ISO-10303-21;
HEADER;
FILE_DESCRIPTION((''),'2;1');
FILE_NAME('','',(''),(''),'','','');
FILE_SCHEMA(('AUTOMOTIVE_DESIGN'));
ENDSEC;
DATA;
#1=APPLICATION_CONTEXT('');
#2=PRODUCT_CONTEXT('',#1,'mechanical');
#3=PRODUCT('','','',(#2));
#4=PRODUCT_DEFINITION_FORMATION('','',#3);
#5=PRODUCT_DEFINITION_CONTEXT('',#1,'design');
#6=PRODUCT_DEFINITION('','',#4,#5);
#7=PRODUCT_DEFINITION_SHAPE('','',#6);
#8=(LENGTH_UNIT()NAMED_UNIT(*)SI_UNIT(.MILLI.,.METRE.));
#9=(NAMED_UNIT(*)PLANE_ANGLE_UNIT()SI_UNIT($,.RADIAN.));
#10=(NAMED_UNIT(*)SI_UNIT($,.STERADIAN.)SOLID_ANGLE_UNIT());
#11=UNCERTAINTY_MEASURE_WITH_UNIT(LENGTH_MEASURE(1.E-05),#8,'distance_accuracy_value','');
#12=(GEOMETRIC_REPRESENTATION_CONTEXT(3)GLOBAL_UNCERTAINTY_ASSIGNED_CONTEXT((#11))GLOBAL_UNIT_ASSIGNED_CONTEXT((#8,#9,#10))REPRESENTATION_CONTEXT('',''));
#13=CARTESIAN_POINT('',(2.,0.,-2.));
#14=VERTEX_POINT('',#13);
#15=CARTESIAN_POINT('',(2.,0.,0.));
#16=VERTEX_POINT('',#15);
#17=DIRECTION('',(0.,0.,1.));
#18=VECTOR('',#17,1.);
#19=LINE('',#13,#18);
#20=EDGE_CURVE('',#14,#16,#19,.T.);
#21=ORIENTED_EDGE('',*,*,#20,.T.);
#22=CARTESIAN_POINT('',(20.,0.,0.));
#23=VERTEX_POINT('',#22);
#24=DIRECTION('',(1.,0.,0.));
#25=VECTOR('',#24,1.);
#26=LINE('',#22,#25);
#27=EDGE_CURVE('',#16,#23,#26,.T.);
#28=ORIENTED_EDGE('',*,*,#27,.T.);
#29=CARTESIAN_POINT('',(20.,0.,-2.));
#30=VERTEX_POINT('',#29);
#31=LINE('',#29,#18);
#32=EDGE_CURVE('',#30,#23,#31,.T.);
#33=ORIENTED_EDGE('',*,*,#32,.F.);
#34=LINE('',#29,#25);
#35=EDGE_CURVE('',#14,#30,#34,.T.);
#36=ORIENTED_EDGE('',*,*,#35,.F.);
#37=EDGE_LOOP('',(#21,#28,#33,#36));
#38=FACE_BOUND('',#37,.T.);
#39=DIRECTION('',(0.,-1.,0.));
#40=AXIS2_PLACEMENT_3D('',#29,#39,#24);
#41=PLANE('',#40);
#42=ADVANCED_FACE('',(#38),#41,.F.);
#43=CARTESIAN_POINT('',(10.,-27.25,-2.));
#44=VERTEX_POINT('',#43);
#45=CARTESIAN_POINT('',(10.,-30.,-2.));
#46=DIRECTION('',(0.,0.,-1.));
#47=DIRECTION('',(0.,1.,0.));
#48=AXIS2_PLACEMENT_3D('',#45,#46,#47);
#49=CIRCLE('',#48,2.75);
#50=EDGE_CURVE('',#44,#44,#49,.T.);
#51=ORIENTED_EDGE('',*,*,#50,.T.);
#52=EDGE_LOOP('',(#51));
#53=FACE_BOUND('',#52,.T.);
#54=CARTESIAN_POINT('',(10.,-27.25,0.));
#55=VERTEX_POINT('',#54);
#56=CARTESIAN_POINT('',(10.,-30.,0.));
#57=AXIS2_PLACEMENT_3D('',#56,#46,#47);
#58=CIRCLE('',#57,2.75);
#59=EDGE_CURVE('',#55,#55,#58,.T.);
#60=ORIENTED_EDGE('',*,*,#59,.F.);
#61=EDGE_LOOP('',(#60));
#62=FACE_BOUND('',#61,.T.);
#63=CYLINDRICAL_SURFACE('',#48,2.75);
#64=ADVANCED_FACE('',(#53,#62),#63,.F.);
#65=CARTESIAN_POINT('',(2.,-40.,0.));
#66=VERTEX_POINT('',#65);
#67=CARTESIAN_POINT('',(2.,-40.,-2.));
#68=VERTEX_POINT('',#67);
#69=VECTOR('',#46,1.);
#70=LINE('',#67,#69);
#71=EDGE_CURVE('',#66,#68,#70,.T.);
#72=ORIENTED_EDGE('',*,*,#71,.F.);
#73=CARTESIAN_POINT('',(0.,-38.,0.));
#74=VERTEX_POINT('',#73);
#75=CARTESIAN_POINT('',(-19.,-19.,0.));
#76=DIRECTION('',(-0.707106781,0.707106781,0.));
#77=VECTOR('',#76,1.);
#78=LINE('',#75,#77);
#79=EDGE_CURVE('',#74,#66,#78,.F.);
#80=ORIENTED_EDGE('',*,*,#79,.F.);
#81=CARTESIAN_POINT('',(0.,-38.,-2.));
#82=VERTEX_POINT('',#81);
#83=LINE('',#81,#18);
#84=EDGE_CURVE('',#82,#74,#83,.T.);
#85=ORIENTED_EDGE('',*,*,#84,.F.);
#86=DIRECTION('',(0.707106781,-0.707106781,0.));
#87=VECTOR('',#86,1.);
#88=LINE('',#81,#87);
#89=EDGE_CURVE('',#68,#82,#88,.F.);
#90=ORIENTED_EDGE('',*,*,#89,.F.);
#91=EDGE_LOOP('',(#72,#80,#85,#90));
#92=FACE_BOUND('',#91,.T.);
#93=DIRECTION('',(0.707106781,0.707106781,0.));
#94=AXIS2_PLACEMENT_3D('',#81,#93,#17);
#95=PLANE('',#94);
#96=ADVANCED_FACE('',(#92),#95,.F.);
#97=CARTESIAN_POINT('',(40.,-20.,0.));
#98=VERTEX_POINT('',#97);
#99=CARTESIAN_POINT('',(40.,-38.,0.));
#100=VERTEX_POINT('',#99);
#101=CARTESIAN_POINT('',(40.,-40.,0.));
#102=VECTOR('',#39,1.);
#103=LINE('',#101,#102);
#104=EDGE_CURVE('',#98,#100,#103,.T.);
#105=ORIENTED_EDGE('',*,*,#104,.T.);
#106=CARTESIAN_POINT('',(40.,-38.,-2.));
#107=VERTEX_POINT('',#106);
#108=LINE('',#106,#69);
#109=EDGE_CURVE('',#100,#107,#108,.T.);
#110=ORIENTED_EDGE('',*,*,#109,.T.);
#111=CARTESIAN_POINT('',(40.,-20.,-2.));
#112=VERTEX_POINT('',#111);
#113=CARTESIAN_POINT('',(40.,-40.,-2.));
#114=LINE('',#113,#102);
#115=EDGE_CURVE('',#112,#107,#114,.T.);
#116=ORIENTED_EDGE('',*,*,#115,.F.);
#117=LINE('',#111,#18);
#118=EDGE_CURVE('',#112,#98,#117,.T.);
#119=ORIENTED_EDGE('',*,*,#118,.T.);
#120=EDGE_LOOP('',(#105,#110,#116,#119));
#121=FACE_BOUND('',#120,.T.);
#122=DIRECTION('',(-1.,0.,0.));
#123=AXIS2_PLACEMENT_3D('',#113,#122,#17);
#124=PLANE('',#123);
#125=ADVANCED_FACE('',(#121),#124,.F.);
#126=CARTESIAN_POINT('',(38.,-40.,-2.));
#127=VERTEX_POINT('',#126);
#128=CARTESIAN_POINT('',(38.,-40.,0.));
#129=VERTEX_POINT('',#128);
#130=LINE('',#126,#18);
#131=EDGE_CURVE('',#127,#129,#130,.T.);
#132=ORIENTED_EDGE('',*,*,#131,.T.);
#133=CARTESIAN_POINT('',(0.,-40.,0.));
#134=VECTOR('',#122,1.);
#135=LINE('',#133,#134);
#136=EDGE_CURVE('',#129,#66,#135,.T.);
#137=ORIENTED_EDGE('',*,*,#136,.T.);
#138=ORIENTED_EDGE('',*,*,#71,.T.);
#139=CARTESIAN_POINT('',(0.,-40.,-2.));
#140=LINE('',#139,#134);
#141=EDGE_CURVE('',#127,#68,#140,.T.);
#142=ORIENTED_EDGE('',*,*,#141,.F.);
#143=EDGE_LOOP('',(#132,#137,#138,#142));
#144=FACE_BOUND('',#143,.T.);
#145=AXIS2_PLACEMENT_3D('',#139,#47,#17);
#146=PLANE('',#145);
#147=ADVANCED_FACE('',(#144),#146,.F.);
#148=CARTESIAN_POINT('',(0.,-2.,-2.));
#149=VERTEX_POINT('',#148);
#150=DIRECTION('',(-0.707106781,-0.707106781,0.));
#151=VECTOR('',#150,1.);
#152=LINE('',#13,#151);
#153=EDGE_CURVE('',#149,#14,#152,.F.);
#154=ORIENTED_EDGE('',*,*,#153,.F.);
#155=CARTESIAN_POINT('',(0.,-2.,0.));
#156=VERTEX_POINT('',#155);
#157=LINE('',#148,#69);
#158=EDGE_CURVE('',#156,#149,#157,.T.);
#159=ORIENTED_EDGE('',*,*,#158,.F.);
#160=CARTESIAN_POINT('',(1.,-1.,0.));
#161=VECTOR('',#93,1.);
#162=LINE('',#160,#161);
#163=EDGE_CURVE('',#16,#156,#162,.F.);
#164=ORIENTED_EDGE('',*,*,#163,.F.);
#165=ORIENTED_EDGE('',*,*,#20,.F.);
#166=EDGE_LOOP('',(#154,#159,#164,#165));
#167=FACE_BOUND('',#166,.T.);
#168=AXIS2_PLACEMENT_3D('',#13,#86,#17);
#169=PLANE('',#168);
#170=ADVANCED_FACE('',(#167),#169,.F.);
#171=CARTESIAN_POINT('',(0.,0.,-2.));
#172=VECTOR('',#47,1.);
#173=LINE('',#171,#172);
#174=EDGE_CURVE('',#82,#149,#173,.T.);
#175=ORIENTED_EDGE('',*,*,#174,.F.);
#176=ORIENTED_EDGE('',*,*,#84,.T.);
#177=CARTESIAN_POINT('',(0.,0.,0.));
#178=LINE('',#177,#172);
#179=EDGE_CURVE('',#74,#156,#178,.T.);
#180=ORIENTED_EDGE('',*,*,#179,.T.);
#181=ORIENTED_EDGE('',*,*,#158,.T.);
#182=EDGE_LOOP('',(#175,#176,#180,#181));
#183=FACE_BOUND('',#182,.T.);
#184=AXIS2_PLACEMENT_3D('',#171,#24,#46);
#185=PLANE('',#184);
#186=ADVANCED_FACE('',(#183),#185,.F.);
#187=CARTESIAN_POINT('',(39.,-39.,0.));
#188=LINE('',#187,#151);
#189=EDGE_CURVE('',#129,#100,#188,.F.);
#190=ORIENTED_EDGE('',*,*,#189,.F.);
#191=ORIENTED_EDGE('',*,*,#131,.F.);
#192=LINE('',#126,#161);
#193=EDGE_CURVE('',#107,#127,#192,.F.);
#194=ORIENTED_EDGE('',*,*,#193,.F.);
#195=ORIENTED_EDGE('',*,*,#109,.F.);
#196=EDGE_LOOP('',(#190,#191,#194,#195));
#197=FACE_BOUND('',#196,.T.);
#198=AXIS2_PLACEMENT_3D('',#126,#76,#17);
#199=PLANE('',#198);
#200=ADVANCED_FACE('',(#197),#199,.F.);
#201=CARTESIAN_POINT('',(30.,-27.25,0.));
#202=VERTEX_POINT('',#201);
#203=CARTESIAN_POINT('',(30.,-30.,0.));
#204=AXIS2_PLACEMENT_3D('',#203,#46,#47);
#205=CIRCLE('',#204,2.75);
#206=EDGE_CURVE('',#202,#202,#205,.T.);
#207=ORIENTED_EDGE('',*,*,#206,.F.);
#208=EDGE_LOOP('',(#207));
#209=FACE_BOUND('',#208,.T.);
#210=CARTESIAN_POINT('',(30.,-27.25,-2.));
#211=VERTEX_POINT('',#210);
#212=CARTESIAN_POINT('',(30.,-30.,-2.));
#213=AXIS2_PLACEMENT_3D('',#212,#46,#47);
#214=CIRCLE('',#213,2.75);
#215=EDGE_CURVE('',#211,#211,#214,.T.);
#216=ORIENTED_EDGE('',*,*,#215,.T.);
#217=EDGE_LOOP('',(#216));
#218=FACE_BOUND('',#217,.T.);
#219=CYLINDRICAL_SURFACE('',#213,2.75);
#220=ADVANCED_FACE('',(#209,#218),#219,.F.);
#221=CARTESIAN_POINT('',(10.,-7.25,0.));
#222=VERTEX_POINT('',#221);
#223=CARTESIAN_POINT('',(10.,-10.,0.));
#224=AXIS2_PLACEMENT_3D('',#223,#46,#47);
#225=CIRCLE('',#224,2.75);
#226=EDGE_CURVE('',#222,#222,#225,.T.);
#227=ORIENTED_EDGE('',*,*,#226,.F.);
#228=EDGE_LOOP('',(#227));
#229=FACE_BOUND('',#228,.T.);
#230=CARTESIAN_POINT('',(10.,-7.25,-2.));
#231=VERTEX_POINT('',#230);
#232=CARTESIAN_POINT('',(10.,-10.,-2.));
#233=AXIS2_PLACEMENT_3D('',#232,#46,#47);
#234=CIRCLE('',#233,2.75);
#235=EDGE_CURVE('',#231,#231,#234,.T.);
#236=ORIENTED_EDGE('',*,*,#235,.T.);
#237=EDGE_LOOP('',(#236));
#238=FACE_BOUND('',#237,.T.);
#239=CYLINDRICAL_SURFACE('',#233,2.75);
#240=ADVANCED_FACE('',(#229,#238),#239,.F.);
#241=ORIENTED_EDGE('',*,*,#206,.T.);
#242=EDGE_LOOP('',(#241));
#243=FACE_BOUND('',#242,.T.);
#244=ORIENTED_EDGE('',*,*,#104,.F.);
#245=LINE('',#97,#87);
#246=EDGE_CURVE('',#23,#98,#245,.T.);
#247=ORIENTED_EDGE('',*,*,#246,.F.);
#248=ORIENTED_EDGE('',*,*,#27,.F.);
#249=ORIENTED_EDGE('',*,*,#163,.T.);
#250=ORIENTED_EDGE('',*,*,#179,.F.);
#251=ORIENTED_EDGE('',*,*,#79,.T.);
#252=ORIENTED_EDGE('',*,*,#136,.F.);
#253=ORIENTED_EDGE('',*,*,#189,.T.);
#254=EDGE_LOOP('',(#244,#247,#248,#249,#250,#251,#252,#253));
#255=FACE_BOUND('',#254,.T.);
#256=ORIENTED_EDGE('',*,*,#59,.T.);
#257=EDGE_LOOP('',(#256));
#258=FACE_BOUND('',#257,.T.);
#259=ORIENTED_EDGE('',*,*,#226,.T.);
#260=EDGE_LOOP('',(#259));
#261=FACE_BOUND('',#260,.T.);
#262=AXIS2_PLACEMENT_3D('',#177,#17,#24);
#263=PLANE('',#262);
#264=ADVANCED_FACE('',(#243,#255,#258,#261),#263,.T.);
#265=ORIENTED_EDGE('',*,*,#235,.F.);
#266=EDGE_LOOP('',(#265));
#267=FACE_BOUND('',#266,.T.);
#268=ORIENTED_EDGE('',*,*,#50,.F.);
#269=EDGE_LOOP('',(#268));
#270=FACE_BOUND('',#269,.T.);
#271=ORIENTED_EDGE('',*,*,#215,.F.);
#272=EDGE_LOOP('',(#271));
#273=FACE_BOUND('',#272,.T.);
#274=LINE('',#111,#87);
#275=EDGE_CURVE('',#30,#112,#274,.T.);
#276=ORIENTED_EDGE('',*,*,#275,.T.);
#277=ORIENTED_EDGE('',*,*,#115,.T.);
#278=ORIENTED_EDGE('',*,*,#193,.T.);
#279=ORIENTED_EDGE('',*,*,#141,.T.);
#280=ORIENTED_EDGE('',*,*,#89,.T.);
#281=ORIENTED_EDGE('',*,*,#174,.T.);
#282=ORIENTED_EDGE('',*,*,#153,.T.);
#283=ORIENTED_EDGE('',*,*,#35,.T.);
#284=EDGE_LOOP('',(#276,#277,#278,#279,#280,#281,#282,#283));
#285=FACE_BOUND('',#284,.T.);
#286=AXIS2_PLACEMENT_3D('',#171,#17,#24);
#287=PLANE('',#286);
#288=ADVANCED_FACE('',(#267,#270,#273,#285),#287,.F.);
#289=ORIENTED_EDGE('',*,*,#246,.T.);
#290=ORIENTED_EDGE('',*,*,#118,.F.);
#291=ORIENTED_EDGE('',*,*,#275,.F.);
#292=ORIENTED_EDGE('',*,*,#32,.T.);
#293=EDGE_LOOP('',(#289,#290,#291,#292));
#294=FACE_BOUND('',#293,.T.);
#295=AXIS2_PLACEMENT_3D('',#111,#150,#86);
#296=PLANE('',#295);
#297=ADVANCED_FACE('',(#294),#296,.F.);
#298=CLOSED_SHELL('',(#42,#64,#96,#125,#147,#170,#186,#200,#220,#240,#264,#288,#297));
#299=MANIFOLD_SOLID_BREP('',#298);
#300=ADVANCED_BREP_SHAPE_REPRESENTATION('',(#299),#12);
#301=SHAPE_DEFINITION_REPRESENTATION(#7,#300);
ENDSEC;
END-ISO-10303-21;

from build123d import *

# Parameters (mm, degrees)
EXTRUDE_1_DEPTH   = 2
HOLE_WIZARD_M51_D = 5.5
CHAMFER_1_SIZE    = 2


with BuildPart() as part:
    # Эскиз1 → Бобышка-Вытянуть1 (new body)
    with BuildSketch(Plane(origin=(0, 0, 0), x_dir=(1, 0, 0), z_dir=(0, 0, -1))):
        Polygon((0, 0), (0, 40), (40, 40), (40, 20), (20, 0), align=None)
    extrude(amount=EXTRUDE_1_DEPTH)

    # Отверстие с зазором M51 (through all)
    with Locations(Plane(origin=(0, 0, -2), x_dir=(1, 0, 0), z_dir=(0, 0, -1))):
        with Locations((10, 30), (10, 10), (30, 30)):
            Hole(HOLE_WIZARD_M51_D / 2)

    # Фаска1
    chamfer_1_edges = [part.edges().sort_by_distance(p)[0] for p in [
        (0, 0, -1),
        (0, -40, -1),
        (40, -40, -1),
    ]]
    chamfer(chamfer_1_edges, length=CHAMFER_1_SIZE)


solid = part.part
